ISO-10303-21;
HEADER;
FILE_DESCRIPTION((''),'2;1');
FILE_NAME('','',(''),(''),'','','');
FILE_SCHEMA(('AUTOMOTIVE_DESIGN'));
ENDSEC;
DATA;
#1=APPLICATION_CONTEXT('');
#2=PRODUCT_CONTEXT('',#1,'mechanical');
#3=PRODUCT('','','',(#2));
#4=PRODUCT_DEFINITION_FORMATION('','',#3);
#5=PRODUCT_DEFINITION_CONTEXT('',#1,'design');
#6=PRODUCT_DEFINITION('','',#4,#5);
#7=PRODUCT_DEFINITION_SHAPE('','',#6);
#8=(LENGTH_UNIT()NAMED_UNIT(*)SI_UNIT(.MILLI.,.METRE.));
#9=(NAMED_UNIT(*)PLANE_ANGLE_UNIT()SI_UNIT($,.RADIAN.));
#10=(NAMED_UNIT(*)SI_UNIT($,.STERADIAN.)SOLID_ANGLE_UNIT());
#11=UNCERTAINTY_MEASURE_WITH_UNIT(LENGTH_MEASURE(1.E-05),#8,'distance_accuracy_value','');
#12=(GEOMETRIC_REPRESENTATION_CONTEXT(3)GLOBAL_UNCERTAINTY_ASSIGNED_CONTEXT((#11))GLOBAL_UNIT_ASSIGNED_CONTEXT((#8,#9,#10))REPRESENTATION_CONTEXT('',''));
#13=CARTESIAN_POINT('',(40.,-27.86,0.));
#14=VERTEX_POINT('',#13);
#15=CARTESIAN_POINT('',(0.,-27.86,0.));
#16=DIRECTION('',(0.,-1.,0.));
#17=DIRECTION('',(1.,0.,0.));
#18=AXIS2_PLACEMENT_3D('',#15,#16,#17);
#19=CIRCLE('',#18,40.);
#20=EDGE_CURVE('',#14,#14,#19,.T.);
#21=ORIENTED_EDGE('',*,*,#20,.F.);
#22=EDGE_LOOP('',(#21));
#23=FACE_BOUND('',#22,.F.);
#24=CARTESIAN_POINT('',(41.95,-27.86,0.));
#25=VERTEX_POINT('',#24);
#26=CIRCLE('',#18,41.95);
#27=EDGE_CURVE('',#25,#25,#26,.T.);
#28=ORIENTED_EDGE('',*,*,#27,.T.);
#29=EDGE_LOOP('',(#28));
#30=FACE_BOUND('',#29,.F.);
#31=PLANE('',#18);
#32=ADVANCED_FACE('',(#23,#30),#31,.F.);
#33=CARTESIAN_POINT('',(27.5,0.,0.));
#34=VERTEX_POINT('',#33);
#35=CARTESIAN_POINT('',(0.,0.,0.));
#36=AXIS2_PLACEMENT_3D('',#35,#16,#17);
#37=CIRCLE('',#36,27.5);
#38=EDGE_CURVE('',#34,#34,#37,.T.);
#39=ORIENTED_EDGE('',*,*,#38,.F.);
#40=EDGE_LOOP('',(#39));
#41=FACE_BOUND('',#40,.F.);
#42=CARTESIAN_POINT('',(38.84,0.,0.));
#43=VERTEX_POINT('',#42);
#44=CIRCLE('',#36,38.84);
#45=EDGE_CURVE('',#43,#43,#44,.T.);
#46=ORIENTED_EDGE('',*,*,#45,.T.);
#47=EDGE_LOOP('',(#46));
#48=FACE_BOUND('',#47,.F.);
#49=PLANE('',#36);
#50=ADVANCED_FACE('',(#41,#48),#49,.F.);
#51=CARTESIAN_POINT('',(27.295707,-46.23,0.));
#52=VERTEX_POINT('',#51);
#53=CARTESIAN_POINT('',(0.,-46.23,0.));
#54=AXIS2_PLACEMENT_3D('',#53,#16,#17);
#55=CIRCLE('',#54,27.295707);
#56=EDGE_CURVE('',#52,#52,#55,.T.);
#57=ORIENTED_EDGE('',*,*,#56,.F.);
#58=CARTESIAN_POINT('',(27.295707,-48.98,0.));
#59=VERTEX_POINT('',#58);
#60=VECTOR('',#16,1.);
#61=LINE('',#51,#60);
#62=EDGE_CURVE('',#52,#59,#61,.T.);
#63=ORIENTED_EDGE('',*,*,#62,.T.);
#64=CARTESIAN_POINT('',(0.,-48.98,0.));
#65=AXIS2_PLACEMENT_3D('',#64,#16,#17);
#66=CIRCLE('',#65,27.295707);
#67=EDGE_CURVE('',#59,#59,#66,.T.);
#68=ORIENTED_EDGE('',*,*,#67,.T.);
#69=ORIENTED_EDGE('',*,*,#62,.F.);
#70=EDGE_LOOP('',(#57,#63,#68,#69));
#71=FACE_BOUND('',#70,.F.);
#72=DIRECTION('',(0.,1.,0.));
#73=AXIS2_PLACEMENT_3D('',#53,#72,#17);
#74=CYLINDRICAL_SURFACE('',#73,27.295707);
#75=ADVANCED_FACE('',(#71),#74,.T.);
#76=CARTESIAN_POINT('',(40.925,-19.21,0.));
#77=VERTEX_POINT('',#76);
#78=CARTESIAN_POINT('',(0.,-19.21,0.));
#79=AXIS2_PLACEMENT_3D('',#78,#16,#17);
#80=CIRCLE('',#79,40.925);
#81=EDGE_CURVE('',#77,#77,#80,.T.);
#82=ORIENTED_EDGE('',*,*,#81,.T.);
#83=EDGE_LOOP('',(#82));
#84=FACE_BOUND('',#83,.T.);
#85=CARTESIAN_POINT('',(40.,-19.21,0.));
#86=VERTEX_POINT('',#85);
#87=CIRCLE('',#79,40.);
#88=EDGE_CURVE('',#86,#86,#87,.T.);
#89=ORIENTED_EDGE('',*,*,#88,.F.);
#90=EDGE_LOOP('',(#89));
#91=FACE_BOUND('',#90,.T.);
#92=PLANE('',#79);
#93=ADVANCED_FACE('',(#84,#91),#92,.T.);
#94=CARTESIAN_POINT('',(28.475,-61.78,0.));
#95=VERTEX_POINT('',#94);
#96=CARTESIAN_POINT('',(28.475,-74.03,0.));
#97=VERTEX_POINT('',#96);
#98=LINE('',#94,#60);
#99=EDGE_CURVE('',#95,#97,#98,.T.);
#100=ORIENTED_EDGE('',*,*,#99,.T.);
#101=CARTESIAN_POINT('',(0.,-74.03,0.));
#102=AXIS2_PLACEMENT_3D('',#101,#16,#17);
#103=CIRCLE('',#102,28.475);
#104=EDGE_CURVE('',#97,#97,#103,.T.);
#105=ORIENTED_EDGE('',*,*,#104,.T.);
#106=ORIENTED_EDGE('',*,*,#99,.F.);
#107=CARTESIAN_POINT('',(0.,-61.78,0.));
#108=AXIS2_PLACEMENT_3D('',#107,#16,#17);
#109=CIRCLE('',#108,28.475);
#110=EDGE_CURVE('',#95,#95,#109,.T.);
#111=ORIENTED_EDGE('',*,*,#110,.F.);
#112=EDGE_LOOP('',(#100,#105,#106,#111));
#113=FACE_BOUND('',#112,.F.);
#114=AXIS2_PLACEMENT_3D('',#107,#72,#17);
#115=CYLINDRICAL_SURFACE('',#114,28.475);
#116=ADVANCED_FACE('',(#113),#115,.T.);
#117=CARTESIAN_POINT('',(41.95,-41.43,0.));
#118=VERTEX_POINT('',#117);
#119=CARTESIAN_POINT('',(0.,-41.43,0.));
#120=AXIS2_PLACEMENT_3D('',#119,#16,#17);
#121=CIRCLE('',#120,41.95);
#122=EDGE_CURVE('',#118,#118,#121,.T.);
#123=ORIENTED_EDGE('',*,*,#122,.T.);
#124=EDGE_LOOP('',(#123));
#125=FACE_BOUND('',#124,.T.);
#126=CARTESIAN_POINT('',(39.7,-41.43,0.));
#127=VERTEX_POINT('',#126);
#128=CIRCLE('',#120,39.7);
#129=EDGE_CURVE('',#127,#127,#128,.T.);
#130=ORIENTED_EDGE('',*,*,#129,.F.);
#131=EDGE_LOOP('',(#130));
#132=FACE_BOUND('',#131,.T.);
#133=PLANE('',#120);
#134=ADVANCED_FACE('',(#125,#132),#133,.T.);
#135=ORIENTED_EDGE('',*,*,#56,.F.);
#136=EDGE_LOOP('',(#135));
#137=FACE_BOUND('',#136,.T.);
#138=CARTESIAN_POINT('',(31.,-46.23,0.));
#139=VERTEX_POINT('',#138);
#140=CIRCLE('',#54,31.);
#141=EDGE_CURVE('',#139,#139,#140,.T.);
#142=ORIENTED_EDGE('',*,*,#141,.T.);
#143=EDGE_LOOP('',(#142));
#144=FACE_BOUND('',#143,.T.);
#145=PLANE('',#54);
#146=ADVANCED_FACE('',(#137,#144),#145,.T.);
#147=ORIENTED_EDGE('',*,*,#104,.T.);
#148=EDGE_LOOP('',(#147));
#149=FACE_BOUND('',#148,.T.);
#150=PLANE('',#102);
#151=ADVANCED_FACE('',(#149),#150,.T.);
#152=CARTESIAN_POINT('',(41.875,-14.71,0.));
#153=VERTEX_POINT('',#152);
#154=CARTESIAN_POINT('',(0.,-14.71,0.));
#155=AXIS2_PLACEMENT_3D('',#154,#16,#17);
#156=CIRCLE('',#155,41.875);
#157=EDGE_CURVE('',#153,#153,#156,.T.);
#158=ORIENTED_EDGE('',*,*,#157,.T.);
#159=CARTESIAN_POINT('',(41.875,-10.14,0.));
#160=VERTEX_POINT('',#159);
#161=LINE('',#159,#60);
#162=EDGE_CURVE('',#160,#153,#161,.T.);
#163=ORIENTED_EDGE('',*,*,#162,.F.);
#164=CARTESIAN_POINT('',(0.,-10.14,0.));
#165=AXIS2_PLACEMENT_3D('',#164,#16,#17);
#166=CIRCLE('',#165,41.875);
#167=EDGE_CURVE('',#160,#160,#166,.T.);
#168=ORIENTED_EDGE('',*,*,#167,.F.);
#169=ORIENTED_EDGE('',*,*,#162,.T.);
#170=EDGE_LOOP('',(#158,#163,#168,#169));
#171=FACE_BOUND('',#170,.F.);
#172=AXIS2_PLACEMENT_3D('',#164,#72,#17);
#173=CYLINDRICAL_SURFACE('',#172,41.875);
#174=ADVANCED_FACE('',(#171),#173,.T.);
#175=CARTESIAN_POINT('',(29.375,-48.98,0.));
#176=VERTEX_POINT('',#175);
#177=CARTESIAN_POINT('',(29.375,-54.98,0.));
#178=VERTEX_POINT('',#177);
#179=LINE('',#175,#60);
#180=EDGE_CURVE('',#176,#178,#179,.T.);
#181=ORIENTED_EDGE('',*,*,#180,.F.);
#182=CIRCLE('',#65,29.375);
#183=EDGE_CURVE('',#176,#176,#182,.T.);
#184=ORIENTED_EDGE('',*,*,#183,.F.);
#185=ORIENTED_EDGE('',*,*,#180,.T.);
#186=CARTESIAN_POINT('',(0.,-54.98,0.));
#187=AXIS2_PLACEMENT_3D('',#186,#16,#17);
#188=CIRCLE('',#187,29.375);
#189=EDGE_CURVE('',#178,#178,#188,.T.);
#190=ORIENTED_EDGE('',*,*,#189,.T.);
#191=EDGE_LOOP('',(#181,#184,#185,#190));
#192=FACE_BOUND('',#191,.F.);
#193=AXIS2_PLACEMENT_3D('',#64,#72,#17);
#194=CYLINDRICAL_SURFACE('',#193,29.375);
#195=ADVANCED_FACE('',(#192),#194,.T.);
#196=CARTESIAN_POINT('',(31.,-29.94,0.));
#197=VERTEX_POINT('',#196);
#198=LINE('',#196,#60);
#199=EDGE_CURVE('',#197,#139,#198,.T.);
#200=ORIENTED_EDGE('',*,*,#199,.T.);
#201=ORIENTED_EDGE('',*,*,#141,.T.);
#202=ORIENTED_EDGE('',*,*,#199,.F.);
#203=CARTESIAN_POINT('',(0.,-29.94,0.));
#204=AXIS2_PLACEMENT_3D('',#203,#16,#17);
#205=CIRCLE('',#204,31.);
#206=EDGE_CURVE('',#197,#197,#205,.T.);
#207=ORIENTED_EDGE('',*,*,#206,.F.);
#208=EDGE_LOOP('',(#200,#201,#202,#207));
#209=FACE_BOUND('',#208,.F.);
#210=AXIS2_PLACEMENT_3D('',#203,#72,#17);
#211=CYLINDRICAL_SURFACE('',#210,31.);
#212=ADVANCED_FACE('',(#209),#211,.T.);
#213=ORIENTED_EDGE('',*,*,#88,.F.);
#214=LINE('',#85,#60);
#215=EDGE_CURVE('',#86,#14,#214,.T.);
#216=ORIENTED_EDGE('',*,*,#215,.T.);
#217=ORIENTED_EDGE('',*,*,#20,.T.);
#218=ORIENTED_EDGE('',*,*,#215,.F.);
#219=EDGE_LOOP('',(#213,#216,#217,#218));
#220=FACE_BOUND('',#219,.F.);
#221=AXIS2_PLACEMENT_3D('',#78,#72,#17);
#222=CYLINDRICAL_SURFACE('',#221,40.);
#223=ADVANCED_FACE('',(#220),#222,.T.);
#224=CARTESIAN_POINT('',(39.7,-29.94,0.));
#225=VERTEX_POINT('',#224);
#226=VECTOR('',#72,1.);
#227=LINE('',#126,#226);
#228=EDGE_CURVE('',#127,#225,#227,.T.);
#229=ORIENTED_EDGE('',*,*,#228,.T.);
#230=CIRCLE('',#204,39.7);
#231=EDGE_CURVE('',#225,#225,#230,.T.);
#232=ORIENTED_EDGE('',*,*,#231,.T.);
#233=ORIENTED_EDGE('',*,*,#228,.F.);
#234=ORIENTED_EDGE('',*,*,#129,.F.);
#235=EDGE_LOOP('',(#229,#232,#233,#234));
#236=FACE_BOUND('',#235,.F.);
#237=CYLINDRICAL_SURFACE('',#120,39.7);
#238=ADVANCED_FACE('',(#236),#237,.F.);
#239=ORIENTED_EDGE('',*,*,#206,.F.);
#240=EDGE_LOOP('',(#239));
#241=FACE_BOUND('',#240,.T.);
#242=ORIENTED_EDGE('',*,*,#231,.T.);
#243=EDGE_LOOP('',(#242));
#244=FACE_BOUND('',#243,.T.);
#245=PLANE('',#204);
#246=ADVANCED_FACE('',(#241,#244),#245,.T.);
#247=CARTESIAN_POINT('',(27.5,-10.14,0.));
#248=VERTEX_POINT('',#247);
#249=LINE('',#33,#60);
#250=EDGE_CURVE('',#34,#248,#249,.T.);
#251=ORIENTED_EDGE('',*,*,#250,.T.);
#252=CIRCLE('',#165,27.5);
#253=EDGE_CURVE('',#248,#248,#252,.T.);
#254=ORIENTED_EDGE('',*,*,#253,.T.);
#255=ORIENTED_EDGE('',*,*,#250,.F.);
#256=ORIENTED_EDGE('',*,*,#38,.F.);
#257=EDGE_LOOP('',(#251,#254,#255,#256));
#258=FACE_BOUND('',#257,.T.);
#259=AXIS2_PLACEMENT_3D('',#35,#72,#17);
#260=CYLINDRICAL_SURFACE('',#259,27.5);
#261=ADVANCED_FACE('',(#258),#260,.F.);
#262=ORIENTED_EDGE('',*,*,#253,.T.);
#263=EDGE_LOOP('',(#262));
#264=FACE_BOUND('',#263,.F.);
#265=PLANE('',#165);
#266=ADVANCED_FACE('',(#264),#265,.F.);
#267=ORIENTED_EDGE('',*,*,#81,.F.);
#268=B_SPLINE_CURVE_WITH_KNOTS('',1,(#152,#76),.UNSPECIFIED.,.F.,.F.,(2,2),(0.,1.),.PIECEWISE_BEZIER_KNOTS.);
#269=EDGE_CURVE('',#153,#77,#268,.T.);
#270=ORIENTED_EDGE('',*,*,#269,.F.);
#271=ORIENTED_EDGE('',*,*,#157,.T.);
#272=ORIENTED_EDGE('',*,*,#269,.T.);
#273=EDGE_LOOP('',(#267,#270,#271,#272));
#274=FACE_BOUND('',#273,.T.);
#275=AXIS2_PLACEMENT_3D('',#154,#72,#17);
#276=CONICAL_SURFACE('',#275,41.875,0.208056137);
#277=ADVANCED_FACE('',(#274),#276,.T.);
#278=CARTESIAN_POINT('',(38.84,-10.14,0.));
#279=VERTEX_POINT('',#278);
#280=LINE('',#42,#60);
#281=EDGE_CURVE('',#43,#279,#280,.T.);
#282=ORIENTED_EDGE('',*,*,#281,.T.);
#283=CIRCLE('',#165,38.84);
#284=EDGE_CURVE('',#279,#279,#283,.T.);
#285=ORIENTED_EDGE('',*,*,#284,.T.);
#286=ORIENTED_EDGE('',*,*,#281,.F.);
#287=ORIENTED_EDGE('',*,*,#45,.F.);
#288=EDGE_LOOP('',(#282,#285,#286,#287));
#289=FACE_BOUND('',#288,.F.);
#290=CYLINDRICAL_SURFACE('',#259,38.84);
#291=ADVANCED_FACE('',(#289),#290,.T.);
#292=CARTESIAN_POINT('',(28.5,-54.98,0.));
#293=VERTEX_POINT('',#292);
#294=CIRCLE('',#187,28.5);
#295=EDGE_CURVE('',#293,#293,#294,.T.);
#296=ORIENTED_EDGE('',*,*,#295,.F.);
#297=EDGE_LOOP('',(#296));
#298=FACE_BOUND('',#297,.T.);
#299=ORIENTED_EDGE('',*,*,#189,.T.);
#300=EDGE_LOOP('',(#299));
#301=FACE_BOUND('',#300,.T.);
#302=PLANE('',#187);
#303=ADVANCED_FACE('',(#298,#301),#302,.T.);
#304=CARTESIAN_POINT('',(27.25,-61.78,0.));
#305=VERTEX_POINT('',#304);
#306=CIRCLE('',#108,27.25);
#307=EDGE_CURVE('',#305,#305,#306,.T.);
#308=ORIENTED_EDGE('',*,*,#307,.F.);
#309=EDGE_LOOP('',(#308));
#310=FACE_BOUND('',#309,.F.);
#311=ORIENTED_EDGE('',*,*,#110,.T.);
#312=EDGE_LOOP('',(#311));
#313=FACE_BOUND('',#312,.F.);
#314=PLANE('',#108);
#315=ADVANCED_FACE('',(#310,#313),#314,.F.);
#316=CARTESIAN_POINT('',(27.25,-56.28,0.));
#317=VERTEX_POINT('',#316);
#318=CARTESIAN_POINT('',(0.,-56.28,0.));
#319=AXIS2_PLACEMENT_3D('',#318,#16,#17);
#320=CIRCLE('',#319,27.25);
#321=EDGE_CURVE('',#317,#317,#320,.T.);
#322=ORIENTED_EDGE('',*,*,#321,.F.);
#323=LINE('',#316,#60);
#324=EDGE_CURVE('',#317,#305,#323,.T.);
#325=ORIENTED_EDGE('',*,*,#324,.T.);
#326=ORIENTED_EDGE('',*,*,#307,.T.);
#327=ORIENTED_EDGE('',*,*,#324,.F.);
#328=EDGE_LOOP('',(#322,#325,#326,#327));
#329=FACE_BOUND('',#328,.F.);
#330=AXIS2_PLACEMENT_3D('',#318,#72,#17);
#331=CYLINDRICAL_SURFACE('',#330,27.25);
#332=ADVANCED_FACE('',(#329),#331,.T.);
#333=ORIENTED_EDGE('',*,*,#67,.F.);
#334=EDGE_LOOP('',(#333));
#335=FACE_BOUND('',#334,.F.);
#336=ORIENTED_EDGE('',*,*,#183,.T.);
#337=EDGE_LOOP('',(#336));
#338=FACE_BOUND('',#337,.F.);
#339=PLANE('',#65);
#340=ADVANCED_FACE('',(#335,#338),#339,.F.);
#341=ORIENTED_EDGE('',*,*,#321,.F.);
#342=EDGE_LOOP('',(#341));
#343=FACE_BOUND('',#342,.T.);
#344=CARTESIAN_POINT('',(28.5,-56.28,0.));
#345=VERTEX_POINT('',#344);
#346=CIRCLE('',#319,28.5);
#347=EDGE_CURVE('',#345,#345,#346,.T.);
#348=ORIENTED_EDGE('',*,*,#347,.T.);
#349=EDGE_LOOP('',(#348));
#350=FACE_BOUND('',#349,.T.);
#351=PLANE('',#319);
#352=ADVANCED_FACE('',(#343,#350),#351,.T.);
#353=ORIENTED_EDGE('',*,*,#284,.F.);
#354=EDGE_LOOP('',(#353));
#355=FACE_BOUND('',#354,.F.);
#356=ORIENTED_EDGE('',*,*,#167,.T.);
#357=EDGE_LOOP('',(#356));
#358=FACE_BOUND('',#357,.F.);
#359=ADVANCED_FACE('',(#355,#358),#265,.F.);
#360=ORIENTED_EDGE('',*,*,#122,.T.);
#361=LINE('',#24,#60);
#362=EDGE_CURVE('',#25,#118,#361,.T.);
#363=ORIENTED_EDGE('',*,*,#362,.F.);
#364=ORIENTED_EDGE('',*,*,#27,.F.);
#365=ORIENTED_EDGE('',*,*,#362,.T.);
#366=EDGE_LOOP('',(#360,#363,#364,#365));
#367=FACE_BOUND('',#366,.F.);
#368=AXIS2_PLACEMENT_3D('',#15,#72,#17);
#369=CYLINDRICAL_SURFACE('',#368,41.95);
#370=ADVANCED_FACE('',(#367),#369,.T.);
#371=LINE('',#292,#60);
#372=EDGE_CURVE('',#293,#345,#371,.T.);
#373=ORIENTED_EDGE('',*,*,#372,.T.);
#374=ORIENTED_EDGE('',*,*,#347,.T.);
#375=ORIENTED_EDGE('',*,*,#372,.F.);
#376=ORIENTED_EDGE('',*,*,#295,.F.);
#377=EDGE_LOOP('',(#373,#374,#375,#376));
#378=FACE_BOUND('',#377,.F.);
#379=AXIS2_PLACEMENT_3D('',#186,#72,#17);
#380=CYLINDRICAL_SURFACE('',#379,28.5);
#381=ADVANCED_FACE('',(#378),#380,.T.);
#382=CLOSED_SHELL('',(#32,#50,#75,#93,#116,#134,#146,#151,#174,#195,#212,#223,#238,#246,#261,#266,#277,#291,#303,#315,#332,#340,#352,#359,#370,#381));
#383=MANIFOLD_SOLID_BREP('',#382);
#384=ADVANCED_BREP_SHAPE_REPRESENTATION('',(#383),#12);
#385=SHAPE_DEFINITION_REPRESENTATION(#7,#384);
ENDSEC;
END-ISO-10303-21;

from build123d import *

# Parameters (mm, degrees)
F0_R      = 38.84
F0_R_2    = 27.5
F1_DEPTH  = 10.14
F2_R      = 41.875
F3_DEPTH  = 4.57
F4_R      = 41.875
F6_R      = 40.925
F8_R      = 40
F9_DEPTH  = 8.65
F10_R     = 41.95
F11_DEPTH = 13.57
F12_R     = 39.7
F13_DEPTH = 11.49
F14_R     = 31
F15_DEPTH = 16.29
F16_R     = 27.295707
F17_DEPTH = 2.75
F18_R     = 29.375
F19_DEPTH = 6
F20_R     = 28.5
F21_DEPTH = 1.3
F22_R     = 27.25
F23_DEPTH = 5.5
F24_R     = 28.475
F25_DEPTH = 12.25


with BuildPart() as f1:
    # F0 (on Front) → F1 (new body)
    with BuildSketch(Plane.XZ):
        Circle(F0_R)
        Circle(F0_R_2, mode=Mode.SUBTRACT)
    extrude(amount=F1_DEPTH)

    # F2 (on face) → F3 (join)
    with BuildSketch(Plane.XZ.offset(10.14)):
        Circle(F2_R)
    extrude(amount=F3_DEPTH)

    # F4 (on face) → F7 section 0
    with BuildSketch(Plane.XZ.offset(14.71)):
        Circle(F4_R)
    # F6 (on offset) → F7 section 1
    with BuildSketch(Plane.XZ.offset(19.21)):
        Circle(F6_R)
    loft()

    # F8 (on face) → F9 (join)
    with BuildSketch(Plane.XZ.offset(19.21)):
        Circle(F8_R)
    extrude(amount=F9_DEPTH)

    # F10 (on face) → F11 (join)
    with BuildSketch(Plane.XZ.offset(27.86)):
        Circle(F10_R)
    extrude(amount=F11_DEPTH)

    # F12 (on face) → F13 (cut)
    with BuildSketch(Plane.XZ.offset(41.43)):
        Circle(F12_R)
    extrude(amount=-F13_DEPTH, mode=Mode.SUBTRACT)

    # F14 (on face) → F15 (join)
    with BuildSketch(Plane.XZ.offset(29.94)):
        Circle(F14_R)
    extrude(amount=F15_DEPTH)

    # F16 (on face) → F17 (join)
    with BuildSketch(Plane.XZ.offset(46.23)):
        Circle(F16_R)
    extrude(amount=F17_DEPTH)

    # F18 (on face) → F19 (join)
    with BuildSketch(Plane.XZ.offset(48.98)):
        Circle(F18_R)
    extrude(amount=F19_DEPTH)

    # F20 (on face) → F21 (join)
    with BuildSketch(Plane.XZ.offset(54.98)):
        Circle(F20_R)
    extrude(amount=F21_DEPTH)

    # F22 (on face) → F23 (join)
    with BuildSketch(Plane.XZ.offset(56.28)):
        Circle(F22_R)
    extrude(amount=F23_DEPTH)

    # F24 (on face) → F25 (join)
    with BuildSketch(Plane.XZ.offset(61.78)):
        Circle(F24_R)
    extrude(amount=F25_DEPTH)


solid = f1.part
